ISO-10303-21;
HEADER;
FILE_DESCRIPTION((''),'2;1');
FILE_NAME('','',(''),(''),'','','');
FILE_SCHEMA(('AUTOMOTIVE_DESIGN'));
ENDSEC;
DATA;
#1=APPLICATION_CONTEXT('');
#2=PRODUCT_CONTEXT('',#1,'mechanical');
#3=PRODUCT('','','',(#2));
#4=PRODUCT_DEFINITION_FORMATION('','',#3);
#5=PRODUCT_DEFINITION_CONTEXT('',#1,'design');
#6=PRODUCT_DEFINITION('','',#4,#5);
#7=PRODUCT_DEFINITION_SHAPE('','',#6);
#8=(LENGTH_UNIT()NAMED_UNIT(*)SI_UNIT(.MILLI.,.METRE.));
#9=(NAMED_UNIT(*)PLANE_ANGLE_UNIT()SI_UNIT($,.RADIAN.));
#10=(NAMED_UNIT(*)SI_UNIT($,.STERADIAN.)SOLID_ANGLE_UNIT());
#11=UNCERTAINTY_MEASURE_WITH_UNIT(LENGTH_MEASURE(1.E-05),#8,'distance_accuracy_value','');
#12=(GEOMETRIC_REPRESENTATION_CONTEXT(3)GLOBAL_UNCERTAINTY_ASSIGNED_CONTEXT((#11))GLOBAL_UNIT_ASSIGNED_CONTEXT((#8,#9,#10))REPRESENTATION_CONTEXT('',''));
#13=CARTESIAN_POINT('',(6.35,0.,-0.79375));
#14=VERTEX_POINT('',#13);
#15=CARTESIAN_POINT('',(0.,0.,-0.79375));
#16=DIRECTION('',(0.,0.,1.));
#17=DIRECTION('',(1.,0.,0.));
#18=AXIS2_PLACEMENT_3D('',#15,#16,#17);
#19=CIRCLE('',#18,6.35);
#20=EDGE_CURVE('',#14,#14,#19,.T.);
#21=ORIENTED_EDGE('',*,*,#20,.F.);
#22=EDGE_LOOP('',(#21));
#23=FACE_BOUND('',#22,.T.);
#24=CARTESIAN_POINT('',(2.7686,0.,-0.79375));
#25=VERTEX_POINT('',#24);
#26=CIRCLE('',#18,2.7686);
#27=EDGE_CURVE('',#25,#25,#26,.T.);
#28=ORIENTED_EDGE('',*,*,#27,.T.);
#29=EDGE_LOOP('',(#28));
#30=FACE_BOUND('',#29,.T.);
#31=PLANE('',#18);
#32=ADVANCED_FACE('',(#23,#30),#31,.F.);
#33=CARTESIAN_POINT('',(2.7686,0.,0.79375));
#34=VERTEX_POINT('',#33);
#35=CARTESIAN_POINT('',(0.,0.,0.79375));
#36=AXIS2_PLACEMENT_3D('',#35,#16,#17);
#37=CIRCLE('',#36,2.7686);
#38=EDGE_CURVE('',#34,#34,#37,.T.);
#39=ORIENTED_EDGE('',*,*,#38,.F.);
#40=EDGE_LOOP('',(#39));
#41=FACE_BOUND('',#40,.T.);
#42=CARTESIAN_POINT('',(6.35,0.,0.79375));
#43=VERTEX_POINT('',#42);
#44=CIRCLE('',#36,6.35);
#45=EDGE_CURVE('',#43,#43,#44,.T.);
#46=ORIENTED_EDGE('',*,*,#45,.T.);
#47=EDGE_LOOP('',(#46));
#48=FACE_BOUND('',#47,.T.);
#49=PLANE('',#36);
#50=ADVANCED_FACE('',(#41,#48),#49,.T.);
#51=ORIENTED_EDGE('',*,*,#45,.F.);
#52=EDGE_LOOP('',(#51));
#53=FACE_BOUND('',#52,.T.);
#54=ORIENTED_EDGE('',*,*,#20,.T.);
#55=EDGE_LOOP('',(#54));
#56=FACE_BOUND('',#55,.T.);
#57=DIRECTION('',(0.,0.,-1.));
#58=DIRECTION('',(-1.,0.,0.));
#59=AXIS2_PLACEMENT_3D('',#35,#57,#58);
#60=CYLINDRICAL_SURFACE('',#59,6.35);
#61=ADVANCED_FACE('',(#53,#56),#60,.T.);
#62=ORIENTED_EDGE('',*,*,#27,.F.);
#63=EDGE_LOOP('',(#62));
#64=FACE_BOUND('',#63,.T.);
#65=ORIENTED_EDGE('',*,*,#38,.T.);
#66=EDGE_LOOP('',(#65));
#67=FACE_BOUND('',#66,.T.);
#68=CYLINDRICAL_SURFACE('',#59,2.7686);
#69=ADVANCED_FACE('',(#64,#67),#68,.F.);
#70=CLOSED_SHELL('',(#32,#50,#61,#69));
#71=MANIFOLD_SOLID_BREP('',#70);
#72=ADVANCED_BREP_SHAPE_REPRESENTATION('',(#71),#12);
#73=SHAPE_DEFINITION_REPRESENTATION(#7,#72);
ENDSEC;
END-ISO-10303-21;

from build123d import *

# Parameters (mm, degrees)
SKETCH1_R      = 6.35
SKETCH1_R_2    = 2.7686
EXTRUDE1_DEPTH = 0.79375


with BuildPart() as part:
    # Sketch1 → Extrude1 (new body, symmetric)
    with BuildSketch(Plane.XY):
        Circle(SKETCH1_R)
        Circle(SKETCH1_R_2, mode=Mode.SUBTRACT)
    extrude(amount=EXTRUDE1_DEPTH, both=True)


solid = part.part
